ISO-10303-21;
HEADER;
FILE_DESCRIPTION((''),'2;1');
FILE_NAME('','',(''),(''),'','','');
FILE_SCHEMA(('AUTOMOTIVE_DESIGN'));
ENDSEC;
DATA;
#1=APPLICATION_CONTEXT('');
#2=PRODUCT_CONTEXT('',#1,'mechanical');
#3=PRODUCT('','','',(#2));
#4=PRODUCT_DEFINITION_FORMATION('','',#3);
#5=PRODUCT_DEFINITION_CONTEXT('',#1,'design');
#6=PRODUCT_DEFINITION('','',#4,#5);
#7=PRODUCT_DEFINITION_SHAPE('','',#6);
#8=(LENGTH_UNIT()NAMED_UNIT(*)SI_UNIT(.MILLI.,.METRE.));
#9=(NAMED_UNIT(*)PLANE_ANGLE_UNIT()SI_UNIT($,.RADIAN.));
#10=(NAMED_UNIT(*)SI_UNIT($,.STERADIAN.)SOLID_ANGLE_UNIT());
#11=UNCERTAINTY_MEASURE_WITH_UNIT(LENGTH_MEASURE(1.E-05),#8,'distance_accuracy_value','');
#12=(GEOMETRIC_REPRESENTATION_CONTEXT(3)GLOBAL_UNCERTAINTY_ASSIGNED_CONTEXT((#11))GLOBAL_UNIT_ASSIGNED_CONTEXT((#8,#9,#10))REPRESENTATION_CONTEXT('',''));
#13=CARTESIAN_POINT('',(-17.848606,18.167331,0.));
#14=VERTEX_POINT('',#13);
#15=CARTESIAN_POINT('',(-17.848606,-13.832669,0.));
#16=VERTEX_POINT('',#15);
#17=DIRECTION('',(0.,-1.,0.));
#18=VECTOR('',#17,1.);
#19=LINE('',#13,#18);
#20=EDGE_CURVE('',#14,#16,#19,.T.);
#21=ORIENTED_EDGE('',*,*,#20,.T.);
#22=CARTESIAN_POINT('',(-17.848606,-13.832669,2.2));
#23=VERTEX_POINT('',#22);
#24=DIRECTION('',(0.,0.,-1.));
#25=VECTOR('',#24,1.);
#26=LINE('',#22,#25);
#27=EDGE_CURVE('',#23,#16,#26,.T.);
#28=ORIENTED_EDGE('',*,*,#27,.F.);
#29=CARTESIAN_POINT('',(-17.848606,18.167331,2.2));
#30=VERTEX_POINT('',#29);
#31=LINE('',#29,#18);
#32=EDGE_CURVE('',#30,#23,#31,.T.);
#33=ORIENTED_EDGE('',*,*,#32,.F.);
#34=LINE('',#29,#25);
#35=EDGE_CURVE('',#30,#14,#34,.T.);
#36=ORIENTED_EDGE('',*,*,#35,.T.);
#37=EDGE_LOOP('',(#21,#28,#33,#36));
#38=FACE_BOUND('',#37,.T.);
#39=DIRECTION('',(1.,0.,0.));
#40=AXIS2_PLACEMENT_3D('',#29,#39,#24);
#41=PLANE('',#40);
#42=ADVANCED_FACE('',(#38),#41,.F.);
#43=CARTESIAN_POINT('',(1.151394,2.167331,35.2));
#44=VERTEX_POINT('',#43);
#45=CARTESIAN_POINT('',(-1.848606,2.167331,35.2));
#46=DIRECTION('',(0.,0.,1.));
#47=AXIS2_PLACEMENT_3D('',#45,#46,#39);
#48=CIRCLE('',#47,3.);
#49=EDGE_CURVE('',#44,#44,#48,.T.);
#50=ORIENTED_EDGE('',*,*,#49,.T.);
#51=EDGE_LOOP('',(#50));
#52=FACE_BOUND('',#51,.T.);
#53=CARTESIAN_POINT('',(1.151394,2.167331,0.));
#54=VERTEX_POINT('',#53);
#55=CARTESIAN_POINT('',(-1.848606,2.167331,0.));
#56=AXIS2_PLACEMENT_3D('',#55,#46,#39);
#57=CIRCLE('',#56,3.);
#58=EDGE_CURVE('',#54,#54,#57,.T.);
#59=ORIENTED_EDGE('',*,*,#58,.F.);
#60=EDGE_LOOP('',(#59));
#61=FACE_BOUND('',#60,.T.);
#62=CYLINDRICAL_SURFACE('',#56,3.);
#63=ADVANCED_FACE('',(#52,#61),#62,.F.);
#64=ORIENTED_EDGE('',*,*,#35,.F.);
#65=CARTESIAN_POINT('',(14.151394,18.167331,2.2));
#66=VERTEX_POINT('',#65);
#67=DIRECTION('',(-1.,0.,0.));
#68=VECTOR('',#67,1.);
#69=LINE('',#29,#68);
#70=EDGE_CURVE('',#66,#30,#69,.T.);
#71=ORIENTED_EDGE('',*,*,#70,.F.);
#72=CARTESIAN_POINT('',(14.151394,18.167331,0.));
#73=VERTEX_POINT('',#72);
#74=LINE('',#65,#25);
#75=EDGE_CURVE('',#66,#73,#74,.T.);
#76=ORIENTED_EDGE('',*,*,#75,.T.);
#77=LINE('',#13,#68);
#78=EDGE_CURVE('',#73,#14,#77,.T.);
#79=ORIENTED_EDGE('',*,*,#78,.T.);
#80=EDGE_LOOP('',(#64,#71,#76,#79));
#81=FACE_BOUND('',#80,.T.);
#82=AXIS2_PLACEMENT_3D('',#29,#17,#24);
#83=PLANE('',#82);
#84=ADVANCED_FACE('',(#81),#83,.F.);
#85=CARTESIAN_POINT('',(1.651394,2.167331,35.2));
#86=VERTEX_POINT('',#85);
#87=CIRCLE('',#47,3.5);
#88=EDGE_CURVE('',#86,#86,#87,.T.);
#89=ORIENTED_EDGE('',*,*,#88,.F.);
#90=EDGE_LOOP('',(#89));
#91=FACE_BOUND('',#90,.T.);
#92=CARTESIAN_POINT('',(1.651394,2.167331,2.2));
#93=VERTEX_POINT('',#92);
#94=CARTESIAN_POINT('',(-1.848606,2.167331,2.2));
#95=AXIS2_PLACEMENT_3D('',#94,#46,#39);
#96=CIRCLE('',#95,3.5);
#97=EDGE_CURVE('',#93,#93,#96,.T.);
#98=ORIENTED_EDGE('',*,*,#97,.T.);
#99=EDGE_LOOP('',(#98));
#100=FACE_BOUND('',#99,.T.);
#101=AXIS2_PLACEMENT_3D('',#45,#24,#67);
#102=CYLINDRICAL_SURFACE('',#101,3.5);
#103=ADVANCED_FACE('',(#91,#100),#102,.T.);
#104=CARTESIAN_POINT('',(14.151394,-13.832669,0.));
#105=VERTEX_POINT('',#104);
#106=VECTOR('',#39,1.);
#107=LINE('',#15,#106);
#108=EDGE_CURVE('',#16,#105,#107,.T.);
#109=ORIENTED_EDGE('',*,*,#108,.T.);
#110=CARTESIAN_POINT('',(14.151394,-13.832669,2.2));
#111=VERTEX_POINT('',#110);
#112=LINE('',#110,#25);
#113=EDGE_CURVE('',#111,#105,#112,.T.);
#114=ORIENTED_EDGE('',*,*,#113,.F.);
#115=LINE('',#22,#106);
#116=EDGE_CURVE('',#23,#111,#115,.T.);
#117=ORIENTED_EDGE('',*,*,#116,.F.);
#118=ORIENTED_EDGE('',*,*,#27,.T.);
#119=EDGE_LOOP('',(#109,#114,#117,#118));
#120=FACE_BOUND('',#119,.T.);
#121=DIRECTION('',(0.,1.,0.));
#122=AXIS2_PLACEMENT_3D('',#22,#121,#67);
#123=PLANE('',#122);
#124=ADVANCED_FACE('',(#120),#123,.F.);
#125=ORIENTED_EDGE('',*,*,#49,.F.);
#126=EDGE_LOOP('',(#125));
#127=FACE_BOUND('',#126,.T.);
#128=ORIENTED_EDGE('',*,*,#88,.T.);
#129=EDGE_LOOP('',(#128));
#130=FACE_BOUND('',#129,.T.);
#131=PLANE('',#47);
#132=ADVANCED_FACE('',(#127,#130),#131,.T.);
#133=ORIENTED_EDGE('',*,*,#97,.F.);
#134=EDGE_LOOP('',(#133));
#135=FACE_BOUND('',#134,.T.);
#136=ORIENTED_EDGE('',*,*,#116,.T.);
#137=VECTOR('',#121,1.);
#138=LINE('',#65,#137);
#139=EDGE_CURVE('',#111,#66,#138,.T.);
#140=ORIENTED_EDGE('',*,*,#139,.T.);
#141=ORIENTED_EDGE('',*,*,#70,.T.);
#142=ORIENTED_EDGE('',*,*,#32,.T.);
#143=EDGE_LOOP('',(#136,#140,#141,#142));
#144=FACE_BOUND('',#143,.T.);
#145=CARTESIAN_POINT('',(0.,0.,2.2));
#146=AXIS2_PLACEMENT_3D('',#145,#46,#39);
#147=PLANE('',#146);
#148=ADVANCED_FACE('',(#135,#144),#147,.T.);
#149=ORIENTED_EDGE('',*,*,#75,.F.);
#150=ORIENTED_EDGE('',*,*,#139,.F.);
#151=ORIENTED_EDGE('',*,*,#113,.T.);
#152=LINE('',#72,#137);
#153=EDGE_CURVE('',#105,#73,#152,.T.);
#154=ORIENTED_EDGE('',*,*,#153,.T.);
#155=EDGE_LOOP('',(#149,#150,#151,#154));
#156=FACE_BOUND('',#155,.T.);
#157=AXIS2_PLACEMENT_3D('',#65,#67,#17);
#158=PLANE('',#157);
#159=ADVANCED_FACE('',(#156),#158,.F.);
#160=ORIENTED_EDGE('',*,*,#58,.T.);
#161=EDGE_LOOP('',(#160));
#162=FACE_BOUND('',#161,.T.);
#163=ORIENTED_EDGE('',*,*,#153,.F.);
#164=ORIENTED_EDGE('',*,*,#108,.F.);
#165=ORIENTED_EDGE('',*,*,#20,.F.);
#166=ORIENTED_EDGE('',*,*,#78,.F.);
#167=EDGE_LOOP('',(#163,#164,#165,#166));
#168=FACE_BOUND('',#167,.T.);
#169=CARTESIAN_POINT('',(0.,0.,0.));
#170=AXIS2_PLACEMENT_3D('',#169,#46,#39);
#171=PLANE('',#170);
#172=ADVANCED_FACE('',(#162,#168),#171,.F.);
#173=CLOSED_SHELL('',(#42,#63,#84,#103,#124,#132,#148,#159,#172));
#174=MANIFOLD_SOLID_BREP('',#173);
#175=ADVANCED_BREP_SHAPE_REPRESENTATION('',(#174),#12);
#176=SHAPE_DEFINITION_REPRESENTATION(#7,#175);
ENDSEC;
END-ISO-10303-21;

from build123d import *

# Parameters (mm, degrees)
ESQUISSE1_W             = 32
ESQUISSE1_H             = 32
BOSS_EXTRU_1_DEPTH      = 2.2
ESQUISSE2_R             = 3.5
BOSS_EXTRU_2_DEPTH      = 33
ESQUISSE3_R             = 3
ENL_V_MAT_EXTRU_1_DEPTH = 44.447262572


with BuildPart() as part:
    # Esquisse1 → Boss.-Extru.1 (new body)
    with BuildSketch(Plane.XY):
        with Locations((-1.848605578, 2.167330677)):
            Rectangle(ESQUISSE1_W, ESQUISSE1_H)
    extrude(amount=BOSS_EXTRU_1_DEPTH)

    # Esquisse2 → Boss.-Extru.2 (add)
    with BuildSketch(Plane.XY.offset(2.2)):
        with Locations((-1.848605578, 2.167330677)):
            Circle(ESQUISSE2_R)
    extrude(amount=BOSS_EXTRU_2_DEPTH)

    # Esquisse3 → Enlèv. mat.-Extru.1 (cut, through all)
    with BuildSketch(Plane.XY.offset(35.2)):
        with Locations((-1.848605578, 2.167330677)):
            Circle(ESQUISSE3_R)
    extrude(amount=-ENL_V_MAT_EXTRU_1_DEPTH, mode=Mode.SUBTRACT)


solid = part.part
